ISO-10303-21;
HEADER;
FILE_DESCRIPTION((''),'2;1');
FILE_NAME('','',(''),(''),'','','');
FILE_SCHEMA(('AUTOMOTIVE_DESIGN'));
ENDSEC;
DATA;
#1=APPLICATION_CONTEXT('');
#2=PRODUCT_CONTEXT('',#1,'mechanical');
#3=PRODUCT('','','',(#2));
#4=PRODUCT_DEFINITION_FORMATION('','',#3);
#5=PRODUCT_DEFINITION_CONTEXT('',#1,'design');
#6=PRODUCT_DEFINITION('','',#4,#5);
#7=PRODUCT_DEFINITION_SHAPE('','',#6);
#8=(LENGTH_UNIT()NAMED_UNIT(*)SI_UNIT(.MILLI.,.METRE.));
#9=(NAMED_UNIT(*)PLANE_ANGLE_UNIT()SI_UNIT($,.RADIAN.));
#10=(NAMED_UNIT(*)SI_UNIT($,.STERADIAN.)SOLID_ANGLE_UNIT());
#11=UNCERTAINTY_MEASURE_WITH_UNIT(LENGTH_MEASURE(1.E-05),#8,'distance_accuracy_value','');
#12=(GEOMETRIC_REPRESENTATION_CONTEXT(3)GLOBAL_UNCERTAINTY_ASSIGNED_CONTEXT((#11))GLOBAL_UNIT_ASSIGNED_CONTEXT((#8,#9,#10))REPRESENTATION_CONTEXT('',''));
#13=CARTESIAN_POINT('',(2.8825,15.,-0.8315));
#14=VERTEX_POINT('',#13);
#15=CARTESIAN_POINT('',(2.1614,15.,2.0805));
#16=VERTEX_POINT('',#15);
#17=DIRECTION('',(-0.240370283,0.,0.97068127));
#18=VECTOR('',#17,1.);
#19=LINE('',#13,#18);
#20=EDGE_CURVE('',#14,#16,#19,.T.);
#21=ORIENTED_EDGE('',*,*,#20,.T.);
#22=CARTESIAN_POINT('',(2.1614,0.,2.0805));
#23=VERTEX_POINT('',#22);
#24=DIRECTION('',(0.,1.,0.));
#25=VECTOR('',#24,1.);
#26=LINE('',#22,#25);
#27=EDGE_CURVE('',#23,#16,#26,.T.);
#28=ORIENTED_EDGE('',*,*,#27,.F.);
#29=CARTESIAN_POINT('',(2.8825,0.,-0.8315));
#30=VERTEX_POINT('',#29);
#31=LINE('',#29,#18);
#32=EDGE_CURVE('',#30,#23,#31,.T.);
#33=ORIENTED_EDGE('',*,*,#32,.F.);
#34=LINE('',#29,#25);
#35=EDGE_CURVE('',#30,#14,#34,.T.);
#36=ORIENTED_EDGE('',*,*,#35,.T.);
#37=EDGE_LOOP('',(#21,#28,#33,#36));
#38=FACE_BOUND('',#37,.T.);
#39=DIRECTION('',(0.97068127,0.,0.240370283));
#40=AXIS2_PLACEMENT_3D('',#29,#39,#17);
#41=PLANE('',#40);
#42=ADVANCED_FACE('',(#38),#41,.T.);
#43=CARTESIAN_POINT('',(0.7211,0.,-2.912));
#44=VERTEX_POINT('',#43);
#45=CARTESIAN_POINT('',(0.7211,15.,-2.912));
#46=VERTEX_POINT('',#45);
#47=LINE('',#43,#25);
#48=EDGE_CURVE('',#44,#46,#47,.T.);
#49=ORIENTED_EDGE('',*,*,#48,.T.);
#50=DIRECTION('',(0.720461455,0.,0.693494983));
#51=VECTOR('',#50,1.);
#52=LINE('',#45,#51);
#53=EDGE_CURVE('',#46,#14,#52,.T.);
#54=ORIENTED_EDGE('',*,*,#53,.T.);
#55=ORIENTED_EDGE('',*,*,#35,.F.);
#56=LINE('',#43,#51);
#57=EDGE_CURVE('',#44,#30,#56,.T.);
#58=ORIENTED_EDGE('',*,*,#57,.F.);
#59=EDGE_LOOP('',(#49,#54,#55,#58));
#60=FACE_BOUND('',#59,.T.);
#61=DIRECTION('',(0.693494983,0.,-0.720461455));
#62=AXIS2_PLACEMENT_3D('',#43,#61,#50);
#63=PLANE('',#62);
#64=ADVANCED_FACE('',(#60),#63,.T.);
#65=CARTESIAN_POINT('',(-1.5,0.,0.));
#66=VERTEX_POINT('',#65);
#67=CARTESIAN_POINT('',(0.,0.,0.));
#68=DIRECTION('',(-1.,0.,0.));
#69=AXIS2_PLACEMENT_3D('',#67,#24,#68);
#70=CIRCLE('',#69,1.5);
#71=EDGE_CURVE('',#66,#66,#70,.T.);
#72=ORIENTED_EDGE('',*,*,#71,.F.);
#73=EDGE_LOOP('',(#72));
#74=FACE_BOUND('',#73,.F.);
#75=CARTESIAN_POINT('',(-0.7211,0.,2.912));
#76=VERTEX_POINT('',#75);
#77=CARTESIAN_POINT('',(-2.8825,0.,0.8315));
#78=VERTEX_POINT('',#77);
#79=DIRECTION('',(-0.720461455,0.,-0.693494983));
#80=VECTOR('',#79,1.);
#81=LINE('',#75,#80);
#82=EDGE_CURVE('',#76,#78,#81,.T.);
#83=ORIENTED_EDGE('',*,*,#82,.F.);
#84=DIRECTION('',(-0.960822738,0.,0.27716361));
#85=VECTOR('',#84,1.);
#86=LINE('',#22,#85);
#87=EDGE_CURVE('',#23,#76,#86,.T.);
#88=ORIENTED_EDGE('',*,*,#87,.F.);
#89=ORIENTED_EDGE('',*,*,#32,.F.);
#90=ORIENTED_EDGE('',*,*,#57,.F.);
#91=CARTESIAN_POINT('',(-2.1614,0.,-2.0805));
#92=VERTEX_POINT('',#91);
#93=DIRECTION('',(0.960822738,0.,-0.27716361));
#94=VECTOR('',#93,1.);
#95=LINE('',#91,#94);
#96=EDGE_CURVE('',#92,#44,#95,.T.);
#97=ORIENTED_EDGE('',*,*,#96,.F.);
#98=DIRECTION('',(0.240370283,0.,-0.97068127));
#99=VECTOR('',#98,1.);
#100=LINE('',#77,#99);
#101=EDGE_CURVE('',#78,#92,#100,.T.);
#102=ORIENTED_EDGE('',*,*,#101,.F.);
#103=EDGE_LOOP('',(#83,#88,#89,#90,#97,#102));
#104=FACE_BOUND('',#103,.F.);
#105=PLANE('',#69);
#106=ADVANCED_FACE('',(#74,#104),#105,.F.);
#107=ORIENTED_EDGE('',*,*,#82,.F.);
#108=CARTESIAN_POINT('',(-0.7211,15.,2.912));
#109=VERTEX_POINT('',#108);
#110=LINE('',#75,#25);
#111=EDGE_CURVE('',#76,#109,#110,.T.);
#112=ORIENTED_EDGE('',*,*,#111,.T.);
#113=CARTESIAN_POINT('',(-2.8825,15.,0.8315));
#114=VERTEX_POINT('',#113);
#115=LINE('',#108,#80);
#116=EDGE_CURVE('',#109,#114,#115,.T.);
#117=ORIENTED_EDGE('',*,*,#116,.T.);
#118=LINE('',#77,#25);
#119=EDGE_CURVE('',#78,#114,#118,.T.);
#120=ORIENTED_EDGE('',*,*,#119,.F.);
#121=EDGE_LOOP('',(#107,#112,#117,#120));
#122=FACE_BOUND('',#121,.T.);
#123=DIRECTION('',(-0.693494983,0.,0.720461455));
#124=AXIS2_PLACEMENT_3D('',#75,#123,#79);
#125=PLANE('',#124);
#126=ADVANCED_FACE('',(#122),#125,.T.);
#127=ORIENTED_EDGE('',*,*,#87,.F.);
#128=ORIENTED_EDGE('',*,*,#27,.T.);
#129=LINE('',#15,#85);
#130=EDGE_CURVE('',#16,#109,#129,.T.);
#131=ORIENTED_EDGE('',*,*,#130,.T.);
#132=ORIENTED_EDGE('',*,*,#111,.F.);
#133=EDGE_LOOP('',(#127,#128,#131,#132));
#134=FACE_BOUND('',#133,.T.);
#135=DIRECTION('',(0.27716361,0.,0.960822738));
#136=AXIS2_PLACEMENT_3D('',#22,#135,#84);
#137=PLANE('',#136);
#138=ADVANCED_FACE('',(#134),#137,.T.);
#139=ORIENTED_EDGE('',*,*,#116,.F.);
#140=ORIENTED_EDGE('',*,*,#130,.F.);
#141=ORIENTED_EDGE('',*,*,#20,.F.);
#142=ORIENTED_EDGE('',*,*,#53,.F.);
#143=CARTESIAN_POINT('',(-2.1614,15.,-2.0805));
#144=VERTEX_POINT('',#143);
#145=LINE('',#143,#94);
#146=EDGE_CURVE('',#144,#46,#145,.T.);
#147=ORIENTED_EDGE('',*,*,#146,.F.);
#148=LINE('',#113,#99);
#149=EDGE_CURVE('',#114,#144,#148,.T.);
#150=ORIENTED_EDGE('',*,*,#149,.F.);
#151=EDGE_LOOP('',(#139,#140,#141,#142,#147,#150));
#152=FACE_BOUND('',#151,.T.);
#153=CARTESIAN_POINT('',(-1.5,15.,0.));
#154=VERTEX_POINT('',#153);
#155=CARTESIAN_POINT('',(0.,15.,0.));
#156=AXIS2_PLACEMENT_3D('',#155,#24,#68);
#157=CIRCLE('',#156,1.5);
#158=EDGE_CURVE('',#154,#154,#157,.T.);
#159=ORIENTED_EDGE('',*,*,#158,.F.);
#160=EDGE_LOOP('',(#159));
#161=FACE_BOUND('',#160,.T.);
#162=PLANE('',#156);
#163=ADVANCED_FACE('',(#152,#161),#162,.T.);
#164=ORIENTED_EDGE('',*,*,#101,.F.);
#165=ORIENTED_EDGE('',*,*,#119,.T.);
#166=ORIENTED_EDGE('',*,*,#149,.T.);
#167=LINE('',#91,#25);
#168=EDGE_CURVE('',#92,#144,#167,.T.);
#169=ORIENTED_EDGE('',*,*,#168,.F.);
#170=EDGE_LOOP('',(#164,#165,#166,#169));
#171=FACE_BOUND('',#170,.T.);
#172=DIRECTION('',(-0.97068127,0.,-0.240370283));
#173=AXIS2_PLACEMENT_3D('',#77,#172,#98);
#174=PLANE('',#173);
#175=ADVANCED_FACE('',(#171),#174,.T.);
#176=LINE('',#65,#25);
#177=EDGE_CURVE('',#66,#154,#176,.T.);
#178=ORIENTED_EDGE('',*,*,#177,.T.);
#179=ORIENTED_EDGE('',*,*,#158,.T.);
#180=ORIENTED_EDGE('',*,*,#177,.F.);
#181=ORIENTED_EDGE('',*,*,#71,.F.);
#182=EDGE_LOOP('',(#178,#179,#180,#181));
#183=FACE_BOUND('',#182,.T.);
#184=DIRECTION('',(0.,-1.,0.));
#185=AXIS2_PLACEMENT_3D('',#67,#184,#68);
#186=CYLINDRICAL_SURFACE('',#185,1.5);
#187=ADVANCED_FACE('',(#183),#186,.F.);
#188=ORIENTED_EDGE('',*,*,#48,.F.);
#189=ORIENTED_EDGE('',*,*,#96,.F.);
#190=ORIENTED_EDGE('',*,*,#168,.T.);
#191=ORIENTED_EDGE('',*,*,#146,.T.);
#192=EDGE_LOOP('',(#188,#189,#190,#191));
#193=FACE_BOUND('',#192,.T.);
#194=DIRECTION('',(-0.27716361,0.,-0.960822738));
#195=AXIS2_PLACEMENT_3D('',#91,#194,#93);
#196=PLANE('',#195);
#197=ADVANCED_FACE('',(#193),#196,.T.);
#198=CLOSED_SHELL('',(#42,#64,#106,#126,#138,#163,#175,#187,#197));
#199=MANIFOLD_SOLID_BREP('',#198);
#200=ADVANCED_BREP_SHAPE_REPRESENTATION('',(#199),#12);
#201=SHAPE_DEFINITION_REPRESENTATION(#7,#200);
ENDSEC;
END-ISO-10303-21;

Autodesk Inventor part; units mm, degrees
ref_plane "YZ Plane" through (0, 0, 0) normal (1, 0, 0) x (0, 1, 0)
ref_plane "XZ Plane" through (0, 0, 0) normal (0, 1, 0) x (-1, 0, 0)
ref_plane "XY Plane" through (0, 0, 0) normal (0, 0, 1) x (1, 0, 0)
sketch "Sketch1" plane through (0, 0, 0) normal (0, 1, 0) x (-1, 0, 0)
  circle A0 centre (0, 0) radius 1.5
  line L0 (-0.7211, -2.912) -> (-2.8825, -0.8315)
  line L1 (-2.8825, -0.8315) -> (-2.1614, 2.0805)
  line L2 (-2.1614, 2.0805) -> (0.7211, 2.912)
  line L3 (0.7211, 2.912) -> (2.8825, 0.8315)
  line L4 (2.8825, 0.8315) -> (2.1614, -2.0805)
  line L5 (2.1614, -2.0805) -> (-0.7211, -2.912)
  dimension "d0" = 3
  dimension "d1" = 6
extrude "Extrusion1" add sketch "Sketch1" along normal blind 15
thread "Thread1" size "M3x0.5" class "6H" standard "ANSI Metric M Profile" length 10
thread "Thread2" size "M3x0.5" class "6H" standard "ANSI Metric M Profile" length 10
properties part number "Spacer15"
